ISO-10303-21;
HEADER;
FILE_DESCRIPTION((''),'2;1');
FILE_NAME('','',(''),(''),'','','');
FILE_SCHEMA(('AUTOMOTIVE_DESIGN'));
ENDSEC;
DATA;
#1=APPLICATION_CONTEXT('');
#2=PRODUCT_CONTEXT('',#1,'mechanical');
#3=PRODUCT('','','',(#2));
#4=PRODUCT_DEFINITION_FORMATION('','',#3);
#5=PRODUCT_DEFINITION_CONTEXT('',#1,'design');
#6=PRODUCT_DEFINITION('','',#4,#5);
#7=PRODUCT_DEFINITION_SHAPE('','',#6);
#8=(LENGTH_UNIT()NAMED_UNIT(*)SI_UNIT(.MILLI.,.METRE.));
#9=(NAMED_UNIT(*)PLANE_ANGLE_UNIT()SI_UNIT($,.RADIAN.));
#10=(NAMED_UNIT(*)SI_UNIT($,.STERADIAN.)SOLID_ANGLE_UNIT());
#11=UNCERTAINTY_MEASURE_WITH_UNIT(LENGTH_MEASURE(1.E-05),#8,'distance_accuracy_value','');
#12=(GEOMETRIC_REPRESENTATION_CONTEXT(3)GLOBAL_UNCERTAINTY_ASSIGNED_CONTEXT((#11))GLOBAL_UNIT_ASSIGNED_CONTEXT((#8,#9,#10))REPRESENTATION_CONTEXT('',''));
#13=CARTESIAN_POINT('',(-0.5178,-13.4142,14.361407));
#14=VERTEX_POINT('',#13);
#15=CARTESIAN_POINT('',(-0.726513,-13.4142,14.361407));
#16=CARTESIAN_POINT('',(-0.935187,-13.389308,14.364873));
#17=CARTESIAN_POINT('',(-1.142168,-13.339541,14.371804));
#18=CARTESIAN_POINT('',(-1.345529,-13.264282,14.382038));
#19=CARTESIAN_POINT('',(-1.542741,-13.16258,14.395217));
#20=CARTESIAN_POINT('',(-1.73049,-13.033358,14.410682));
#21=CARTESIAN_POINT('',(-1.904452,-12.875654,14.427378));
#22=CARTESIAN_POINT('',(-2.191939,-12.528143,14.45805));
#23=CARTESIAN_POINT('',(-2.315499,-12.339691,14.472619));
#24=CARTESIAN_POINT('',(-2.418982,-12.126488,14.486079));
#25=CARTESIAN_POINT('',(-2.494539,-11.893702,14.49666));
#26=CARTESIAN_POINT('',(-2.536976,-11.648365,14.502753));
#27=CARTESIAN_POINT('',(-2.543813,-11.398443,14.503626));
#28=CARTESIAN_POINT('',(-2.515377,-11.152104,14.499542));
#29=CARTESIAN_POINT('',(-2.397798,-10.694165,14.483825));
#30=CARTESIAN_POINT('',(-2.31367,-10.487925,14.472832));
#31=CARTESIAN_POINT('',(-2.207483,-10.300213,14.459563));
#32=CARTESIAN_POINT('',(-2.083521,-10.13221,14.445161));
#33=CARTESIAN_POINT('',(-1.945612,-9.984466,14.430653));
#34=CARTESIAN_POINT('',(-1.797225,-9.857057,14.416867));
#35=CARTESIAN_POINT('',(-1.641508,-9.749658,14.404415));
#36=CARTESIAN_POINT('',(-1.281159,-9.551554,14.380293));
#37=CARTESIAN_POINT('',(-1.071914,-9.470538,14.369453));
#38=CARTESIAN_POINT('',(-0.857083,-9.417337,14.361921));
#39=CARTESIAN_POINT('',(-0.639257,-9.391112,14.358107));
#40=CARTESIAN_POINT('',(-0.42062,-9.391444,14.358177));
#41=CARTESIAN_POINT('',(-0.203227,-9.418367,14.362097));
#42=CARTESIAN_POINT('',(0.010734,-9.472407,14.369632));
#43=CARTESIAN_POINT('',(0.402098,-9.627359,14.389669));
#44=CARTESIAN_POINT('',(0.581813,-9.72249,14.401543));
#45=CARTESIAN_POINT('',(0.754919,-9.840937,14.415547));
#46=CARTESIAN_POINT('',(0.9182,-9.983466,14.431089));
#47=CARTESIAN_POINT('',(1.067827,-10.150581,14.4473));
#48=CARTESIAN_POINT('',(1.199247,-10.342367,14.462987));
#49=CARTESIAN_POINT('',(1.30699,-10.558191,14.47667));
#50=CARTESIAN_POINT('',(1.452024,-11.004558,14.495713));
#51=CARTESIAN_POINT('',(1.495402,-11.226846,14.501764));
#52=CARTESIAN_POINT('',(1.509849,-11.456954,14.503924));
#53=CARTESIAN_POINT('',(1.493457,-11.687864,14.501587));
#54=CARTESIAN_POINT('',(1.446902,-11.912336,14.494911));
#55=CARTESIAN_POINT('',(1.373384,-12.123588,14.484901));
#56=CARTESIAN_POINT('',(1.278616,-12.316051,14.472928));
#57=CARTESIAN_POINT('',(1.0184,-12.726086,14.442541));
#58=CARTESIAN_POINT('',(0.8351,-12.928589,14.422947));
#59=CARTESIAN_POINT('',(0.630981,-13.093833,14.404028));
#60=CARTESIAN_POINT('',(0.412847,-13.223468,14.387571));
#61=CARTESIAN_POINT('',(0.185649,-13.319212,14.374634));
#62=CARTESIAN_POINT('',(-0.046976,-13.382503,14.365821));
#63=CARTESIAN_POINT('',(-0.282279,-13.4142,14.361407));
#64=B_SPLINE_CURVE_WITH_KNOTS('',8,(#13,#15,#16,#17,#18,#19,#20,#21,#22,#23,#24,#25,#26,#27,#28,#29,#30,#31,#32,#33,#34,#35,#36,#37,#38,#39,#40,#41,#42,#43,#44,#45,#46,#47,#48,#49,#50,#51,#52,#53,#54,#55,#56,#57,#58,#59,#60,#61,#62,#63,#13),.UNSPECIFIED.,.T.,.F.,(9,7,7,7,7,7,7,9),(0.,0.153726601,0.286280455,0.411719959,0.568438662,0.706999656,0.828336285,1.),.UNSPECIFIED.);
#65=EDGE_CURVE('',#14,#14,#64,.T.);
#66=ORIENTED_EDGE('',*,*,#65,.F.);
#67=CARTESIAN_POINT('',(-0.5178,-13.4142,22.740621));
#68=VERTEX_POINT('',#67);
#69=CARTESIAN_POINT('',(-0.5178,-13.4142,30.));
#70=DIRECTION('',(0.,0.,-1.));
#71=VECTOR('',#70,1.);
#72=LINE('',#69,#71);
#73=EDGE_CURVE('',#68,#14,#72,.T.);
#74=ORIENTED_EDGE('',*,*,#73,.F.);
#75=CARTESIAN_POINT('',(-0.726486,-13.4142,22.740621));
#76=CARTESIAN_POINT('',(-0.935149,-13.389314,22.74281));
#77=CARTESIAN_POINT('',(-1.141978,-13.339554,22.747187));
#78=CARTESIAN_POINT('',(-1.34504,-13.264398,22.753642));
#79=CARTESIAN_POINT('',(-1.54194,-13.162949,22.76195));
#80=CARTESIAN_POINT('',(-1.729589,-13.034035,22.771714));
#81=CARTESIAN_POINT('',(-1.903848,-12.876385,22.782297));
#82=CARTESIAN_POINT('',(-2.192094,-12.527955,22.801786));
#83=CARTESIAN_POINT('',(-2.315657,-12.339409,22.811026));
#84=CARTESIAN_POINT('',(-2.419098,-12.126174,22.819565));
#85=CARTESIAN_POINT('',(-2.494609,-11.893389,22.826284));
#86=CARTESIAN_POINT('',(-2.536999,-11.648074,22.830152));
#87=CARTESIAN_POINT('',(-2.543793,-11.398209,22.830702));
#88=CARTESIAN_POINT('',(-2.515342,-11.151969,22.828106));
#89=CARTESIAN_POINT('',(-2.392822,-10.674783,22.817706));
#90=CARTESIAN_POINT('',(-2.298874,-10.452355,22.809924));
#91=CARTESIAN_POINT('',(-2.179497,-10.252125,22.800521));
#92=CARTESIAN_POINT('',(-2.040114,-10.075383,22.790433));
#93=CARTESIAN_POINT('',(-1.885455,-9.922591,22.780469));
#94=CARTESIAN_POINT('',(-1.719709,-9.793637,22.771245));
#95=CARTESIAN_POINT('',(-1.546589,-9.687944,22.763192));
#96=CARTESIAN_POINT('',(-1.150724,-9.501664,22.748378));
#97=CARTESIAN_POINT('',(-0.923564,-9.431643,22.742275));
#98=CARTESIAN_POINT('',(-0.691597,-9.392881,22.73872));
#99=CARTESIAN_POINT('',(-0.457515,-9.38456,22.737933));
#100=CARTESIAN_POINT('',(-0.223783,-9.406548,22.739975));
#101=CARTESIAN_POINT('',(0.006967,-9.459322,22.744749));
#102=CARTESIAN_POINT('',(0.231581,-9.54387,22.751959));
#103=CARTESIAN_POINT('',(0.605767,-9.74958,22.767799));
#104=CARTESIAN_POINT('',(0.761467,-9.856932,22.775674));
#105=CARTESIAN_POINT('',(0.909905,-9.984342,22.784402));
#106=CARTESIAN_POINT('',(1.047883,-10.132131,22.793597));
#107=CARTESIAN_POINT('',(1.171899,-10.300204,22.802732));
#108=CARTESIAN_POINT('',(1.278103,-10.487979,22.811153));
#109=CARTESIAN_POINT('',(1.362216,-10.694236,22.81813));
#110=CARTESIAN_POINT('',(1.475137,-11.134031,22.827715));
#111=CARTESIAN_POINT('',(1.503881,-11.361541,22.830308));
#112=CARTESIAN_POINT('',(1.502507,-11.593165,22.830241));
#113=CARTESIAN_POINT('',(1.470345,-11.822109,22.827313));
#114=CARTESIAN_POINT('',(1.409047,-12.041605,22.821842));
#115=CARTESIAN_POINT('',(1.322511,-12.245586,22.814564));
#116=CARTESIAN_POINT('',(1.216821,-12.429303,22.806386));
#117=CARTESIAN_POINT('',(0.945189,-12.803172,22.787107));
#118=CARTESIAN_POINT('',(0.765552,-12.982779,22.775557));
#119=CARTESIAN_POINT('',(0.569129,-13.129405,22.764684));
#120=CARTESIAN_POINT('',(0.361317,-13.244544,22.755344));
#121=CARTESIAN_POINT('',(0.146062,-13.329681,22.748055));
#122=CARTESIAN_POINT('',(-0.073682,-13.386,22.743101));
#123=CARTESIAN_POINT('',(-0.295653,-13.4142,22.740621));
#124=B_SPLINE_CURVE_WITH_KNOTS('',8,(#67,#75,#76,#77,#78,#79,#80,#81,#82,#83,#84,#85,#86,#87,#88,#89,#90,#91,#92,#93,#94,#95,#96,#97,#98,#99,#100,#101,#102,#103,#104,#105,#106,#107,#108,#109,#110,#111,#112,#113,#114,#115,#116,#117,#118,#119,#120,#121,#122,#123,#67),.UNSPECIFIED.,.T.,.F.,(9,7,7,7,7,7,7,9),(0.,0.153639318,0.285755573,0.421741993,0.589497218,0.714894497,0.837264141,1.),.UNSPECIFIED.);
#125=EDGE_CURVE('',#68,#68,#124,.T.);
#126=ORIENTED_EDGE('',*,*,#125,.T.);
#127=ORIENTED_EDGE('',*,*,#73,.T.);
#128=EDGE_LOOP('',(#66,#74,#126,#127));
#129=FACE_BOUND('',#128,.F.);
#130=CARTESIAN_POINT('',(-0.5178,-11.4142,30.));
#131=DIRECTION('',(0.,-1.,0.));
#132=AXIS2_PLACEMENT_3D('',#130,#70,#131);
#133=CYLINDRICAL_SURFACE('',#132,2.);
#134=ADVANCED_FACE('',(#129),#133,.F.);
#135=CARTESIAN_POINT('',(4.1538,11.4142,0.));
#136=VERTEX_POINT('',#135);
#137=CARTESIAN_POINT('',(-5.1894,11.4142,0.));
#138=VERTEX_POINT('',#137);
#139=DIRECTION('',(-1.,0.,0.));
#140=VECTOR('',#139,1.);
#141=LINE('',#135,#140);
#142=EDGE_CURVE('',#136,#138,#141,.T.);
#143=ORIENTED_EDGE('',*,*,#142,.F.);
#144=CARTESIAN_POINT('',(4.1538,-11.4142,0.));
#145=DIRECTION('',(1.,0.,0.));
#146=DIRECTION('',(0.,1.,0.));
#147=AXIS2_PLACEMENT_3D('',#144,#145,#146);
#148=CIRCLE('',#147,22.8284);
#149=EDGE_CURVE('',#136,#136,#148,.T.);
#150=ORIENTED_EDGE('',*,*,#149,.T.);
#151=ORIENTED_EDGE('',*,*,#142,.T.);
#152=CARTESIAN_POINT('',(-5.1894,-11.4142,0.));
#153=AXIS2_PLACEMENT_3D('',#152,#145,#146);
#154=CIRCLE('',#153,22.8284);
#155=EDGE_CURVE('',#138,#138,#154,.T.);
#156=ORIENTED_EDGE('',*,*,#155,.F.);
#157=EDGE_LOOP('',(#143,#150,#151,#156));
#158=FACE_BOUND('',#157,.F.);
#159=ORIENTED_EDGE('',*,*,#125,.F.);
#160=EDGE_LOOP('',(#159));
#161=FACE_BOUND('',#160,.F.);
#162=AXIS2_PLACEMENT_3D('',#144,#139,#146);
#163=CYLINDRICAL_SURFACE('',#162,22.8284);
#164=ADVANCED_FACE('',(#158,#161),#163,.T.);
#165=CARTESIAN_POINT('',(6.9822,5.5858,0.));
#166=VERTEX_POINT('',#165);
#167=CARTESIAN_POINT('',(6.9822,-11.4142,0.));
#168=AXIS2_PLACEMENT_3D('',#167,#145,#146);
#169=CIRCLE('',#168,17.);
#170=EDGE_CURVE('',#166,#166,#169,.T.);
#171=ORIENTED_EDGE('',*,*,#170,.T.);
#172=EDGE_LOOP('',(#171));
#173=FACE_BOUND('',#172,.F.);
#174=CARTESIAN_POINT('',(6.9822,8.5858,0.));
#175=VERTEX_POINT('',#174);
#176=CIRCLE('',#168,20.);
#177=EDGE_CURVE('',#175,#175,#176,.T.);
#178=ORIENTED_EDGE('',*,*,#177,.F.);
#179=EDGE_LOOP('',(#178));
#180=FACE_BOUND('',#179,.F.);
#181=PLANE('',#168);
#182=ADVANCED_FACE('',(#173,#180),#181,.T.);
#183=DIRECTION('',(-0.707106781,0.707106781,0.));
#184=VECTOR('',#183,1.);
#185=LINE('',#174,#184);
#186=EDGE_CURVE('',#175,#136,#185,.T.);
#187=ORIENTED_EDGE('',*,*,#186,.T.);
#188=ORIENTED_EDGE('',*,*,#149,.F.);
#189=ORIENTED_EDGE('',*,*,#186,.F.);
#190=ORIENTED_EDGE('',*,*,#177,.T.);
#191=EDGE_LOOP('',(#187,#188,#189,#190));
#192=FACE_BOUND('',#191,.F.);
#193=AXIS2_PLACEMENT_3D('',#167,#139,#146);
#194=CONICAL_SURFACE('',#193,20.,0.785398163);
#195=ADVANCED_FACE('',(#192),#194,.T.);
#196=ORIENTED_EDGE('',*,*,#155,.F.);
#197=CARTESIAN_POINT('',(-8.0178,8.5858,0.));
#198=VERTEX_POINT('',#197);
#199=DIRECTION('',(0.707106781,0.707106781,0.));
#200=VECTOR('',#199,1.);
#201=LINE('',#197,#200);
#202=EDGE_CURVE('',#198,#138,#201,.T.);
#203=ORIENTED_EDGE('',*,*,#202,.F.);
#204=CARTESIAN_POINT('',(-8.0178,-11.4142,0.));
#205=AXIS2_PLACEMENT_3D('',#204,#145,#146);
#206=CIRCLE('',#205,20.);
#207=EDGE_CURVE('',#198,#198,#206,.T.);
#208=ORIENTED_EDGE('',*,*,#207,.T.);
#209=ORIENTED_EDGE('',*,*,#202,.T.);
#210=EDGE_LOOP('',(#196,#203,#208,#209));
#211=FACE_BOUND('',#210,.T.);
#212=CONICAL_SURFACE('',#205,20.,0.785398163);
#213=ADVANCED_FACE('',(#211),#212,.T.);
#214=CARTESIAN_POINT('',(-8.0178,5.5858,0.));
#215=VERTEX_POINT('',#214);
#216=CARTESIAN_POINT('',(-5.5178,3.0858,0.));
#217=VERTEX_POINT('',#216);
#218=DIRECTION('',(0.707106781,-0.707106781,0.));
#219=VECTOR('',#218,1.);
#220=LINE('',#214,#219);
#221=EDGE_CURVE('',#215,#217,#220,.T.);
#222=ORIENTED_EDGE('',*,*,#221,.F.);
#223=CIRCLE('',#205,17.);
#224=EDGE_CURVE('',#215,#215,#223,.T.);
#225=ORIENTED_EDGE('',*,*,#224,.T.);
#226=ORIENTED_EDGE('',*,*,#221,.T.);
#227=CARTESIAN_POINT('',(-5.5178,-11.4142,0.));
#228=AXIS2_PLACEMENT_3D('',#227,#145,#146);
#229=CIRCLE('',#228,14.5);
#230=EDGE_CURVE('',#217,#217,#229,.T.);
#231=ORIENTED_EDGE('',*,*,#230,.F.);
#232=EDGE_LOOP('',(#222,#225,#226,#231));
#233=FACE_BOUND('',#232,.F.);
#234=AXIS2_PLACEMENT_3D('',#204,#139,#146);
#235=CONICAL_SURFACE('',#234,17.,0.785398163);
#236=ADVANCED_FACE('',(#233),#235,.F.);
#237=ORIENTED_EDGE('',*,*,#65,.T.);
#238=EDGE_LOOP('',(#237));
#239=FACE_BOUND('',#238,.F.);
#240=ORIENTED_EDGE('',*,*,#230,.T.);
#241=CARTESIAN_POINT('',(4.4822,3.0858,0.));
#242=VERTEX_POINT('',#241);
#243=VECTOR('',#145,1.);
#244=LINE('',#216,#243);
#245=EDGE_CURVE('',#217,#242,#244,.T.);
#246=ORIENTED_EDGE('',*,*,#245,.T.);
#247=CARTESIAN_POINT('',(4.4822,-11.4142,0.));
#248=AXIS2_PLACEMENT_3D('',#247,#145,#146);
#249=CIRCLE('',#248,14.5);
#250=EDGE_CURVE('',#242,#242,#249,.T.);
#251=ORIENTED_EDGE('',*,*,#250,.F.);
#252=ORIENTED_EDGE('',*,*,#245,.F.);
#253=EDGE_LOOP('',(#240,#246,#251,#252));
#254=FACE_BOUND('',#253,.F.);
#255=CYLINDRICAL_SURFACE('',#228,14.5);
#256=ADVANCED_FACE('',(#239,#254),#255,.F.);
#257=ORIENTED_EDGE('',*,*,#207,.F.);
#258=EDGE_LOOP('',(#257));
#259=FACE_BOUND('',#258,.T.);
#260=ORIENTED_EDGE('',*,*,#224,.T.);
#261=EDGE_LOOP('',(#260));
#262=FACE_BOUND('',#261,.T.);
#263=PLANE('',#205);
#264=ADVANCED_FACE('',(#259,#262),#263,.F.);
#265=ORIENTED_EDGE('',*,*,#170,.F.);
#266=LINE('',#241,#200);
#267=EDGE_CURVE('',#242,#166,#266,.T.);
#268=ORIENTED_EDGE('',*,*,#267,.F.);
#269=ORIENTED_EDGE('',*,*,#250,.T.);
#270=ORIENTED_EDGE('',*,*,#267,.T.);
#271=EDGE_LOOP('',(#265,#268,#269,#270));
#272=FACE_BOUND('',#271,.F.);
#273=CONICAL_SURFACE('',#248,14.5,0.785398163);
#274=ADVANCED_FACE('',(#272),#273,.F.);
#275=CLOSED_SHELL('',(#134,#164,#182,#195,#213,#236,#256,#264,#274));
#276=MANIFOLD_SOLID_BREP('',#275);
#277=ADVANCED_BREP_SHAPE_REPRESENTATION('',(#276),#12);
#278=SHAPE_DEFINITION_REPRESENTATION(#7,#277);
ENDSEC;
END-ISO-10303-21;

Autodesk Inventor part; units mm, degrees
ref_plane "YZ Plane" through (0, 0, 0) normal (1, 0, 0) x (0, 1, 0)
ref_plane "XZ Plane" through (0, 0, 0) normal (0, 1, 0) x (-1, 0, 0)
sketch "Эскиз1" plane through (-8.0178, -11.4142, 0) normal (0, 0, 1) x (1, 0, 0)
  line L0 (0, 0) -> (0, 17) construction
  line L1 (0, 20) -> (2.8284, 22.8284)
  line L2 (0, 0) -> (15, 0)
  line L3 (15, 0) -> (15, 17) construction
  line L4 (15, 20) -> (12.1716, 22.8284)
  line L5 (12.1716, 22.8284) -> (2.8284, 22.8284)
  line L6 (0, 17) -> (2.5, 14.5)
  line L7 (0, 17) -> (3.5355, 17) construction
  line L8 (2.5, 14.5) -> (12.5, 14.5)
  line L9 (12.5, 14.5) -> (15, 17)
  line L10 (12.5, 14.5) -> (16.0355, 14.5) construction
  line L11 (0, 17) -> (0, 20)
  line L12 (15, 17) -> (15, 20)
  dimension "d9" = 20
  dimension "d8" = 4
  dimension "d7" = 135
  dimension "d6" = 15
  dimension "d5" = 4
  dimension "d4" = 135
  dimension "d2" = 45
  dimension "d0" = 45
  dimension "d3" = 3
  dimension "d1" = 10
revolve "Вращение1" add sketch "Эскиз1" angle 360 about axis through (-8.0178, -11.4142, 0) along (1, 0, 0)
ref_plane "РабПлоскость1" through (0, 0, 30) normal (0, 0, 1) x (1, 0, 0)
sketch "Эскиз2" plane through (0, 0, 30) normal (0, 0, 1) x (1, 0, 0)
  line L0 (-5.1893, -34.2426) -> (-5.1893, 11.4142) construction
  line L1 (4.1538, -34.2426) -> (4.1538, 11.4142) construction
  line L2 (-5.1893, 11.4142) -> (4.1538, 11.4142) construction
  point P0 (0, 0)
  point P1 (-0.5178, -11.4142)
  point P2 (-5.1893, -11.4142)
  point P3 (-0.5178, 11.4142)
hole "Отверстие1" at (-0.5178, -11.4142, 30) direction (0, 0, -1) diameter 4 depth 21.75
properties part number "711142"
